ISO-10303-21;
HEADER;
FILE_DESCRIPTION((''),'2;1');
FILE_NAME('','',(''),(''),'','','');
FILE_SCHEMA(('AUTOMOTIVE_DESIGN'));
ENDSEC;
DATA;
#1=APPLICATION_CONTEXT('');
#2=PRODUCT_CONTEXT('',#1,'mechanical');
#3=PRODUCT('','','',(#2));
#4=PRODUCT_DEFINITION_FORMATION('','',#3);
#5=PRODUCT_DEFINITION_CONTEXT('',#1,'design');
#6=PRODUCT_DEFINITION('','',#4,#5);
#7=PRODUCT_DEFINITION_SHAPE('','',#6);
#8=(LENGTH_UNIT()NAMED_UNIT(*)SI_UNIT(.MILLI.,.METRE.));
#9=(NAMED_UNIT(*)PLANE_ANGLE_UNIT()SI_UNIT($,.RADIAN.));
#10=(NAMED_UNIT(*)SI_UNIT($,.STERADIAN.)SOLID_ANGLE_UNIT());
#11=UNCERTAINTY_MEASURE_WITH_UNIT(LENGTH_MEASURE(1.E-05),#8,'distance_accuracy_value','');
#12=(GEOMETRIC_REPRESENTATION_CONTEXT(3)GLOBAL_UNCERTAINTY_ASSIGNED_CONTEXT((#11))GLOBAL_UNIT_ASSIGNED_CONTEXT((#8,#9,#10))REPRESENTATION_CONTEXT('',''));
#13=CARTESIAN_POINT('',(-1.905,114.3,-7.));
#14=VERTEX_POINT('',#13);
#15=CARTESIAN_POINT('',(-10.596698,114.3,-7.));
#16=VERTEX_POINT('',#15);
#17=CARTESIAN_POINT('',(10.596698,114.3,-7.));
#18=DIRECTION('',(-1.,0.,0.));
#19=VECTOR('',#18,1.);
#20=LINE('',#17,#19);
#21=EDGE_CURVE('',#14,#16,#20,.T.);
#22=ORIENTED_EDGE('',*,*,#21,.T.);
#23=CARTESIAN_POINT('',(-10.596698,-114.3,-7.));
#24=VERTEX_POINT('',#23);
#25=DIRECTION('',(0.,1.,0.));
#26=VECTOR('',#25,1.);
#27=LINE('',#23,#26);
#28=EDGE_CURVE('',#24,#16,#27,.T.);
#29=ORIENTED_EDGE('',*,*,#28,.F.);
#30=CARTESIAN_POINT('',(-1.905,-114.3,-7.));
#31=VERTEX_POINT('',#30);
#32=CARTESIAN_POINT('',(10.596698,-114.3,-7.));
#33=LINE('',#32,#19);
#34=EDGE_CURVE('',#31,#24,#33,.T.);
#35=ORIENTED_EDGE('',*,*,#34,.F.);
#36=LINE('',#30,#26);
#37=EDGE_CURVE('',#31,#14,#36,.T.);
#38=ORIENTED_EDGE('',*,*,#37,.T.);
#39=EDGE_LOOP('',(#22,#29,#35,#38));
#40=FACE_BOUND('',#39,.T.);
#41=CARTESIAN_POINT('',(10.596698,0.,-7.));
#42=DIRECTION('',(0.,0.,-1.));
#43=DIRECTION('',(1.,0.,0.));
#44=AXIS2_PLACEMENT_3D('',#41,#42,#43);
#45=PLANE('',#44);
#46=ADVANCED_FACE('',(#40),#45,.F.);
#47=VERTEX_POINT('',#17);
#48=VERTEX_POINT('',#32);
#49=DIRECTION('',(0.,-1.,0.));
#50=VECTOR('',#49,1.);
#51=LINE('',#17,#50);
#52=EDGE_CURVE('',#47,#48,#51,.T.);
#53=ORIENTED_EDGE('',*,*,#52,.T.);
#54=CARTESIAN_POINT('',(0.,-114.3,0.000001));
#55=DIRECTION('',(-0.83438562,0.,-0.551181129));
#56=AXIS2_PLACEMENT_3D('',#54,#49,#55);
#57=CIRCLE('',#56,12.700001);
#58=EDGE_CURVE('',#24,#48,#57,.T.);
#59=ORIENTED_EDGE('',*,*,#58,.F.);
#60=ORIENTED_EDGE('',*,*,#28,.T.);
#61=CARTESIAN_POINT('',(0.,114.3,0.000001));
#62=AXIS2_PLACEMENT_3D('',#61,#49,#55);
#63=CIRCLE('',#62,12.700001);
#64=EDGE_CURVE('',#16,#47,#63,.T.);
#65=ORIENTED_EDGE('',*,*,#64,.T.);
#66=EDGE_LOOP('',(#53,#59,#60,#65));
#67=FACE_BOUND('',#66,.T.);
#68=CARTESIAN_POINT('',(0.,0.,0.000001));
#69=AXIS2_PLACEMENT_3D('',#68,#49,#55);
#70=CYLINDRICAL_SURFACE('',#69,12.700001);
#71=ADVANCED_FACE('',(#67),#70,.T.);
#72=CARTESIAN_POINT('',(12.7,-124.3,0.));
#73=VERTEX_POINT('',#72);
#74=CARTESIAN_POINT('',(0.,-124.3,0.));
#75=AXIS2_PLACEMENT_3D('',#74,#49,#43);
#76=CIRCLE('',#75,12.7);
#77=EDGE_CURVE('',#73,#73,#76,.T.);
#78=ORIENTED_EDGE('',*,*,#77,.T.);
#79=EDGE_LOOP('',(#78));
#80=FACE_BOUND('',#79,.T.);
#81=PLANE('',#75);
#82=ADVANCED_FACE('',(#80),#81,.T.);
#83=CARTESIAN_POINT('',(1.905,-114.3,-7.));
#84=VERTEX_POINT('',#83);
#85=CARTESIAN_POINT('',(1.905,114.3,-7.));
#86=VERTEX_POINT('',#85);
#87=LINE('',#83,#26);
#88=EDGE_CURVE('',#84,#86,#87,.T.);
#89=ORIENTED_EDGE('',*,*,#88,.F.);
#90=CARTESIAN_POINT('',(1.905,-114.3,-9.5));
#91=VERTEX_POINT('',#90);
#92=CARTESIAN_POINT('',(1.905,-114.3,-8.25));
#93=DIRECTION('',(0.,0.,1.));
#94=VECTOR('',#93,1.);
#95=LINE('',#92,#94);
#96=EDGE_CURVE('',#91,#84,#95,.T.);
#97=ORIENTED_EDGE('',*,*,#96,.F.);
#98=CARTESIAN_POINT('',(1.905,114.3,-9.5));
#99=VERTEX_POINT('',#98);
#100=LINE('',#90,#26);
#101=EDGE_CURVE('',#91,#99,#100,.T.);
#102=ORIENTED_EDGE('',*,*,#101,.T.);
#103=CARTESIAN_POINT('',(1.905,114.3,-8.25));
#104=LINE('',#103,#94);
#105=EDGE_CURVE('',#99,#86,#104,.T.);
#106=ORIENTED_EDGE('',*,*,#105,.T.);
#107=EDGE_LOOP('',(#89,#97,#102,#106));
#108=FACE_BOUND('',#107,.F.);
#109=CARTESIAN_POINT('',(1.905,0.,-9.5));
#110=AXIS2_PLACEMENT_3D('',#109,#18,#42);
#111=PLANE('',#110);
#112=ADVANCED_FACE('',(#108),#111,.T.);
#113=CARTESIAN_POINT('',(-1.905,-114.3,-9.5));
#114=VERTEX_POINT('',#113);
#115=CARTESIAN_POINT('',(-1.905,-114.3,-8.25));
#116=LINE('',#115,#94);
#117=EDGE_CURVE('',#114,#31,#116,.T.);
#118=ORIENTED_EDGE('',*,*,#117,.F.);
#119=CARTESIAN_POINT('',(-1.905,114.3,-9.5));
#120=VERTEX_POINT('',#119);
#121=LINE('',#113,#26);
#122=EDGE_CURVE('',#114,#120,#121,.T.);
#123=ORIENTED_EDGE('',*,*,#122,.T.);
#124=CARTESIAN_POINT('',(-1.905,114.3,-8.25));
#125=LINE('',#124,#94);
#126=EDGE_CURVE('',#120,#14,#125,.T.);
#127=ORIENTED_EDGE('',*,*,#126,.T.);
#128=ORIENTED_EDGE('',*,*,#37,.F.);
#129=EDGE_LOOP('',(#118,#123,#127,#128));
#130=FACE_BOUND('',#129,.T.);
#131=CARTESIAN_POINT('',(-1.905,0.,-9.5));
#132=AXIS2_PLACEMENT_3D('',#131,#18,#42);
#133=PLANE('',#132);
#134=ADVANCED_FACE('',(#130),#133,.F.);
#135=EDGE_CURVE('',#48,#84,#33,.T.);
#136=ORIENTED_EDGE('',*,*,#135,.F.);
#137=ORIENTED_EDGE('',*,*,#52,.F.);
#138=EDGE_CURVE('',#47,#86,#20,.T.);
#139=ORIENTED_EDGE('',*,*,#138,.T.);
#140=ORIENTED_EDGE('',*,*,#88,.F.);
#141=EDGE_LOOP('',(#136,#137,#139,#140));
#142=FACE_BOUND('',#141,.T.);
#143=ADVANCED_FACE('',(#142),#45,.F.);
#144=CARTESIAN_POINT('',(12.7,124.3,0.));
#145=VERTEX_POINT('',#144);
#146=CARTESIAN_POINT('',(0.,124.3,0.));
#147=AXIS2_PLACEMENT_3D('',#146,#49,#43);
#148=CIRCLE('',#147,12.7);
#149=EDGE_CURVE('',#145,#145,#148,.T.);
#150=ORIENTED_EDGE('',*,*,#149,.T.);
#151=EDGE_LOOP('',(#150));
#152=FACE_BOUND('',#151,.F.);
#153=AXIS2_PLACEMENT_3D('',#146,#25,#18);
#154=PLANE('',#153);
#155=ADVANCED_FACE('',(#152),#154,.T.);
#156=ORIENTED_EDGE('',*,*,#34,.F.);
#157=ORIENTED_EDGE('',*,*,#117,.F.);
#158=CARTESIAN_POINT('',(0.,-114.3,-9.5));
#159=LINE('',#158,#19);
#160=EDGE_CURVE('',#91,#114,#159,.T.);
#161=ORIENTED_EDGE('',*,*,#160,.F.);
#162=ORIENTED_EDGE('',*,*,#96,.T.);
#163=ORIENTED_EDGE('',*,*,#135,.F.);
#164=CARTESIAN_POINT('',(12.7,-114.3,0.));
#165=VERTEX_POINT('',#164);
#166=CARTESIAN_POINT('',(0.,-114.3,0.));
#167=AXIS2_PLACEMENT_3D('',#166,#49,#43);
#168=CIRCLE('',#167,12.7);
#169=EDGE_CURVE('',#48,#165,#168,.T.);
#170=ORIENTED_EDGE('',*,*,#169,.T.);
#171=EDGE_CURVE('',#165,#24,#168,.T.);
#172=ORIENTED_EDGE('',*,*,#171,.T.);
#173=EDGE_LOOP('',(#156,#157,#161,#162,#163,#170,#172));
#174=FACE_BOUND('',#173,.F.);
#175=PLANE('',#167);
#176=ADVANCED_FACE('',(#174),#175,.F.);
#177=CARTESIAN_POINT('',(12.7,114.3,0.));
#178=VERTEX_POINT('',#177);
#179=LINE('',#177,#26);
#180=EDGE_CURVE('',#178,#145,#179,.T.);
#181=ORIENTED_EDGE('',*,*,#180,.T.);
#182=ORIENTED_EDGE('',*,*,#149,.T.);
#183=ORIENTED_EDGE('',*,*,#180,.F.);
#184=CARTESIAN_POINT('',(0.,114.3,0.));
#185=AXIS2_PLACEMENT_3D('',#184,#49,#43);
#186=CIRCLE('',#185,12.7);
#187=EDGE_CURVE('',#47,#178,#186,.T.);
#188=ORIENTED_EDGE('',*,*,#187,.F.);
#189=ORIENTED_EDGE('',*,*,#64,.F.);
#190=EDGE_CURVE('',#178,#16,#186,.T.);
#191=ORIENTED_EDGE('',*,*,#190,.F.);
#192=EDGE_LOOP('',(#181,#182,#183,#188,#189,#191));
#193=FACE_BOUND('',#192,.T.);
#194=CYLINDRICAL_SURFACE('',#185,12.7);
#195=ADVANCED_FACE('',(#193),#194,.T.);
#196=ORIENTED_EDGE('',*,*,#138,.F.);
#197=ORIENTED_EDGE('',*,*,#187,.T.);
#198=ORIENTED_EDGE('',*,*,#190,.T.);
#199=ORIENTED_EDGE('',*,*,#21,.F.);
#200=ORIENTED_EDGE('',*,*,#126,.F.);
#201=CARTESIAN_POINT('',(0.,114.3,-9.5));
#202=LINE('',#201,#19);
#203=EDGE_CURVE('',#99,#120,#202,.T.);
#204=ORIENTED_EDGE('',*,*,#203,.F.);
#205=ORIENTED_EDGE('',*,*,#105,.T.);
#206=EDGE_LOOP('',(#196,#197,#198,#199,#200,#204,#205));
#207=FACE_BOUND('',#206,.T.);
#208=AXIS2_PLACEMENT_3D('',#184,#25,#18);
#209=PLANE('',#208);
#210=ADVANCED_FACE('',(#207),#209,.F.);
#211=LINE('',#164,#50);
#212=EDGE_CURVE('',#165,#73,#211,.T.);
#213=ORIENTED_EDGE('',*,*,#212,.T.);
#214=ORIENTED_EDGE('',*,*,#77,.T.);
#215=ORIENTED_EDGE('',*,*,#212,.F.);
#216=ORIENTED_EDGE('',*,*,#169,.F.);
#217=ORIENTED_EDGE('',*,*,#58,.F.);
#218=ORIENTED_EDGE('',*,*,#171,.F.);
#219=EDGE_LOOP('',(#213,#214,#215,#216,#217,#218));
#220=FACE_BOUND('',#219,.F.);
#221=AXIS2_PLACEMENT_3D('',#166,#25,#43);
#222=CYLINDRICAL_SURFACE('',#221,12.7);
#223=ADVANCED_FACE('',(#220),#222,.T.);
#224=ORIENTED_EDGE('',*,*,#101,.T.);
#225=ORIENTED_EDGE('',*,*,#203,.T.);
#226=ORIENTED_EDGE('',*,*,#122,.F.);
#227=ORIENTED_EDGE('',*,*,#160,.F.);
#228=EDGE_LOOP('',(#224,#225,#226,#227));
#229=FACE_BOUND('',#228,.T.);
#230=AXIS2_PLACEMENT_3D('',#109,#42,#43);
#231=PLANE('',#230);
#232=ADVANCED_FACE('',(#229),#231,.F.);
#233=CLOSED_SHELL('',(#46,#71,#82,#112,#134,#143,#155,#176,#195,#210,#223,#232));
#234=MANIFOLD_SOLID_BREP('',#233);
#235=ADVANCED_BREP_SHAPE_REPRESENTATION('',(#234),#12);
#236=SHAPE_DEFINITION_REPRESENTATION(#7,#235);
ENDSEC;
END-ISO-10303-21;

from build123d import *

# Parameters (mm, degrees)
F1_DEPTH = 114.3
F2_R     = 12.7
F3_DEPTH = 10
F4_W     = 3.81
F4_H     = 2.5
F5_DEPTH = 114.3


with BuildPart() as f1:
    # F0 (on Front) → F1 (new body)
    with BuildSketch(Plane.XZ):
        with BuildLine():
            Line((10.596698, -7), (-10.596698, -7))
            ThreePointArc((-10.596698, -7), (0, -12.7), (10.596698, -7))
        make_face()
    extrude(amount=F1_DEPTH)

    # F2 (on face) → F3 (join)
    with BuildSketch(Plane.XZ.offset(114.3)):
        Circle(F2_R)
    extrude(amount=F3_DEPTH)

    # F4 (on face) → F5 (cut)
    with BuildSketch(Plane(origin=(0, 0, 0), x_dir=(-1, 0, 0), z_dir=(0, 1, 0))):
        with Locations((0, -8.25)):
            Rectangle(F4_W, F4_H)
    extrude(amount=-F5_DEPTH, mode=Mode.SUBTRACT)

    # F6: F1 across face


with BuildPart() as f1_1:
    add(f1.part)
    add(f1.part.mirror(Plane(origin=(0, 0, -9.466797), x_dir=(1, 0, 0), z_dir=(0, 1, 0))))


solid = f1_1.part
